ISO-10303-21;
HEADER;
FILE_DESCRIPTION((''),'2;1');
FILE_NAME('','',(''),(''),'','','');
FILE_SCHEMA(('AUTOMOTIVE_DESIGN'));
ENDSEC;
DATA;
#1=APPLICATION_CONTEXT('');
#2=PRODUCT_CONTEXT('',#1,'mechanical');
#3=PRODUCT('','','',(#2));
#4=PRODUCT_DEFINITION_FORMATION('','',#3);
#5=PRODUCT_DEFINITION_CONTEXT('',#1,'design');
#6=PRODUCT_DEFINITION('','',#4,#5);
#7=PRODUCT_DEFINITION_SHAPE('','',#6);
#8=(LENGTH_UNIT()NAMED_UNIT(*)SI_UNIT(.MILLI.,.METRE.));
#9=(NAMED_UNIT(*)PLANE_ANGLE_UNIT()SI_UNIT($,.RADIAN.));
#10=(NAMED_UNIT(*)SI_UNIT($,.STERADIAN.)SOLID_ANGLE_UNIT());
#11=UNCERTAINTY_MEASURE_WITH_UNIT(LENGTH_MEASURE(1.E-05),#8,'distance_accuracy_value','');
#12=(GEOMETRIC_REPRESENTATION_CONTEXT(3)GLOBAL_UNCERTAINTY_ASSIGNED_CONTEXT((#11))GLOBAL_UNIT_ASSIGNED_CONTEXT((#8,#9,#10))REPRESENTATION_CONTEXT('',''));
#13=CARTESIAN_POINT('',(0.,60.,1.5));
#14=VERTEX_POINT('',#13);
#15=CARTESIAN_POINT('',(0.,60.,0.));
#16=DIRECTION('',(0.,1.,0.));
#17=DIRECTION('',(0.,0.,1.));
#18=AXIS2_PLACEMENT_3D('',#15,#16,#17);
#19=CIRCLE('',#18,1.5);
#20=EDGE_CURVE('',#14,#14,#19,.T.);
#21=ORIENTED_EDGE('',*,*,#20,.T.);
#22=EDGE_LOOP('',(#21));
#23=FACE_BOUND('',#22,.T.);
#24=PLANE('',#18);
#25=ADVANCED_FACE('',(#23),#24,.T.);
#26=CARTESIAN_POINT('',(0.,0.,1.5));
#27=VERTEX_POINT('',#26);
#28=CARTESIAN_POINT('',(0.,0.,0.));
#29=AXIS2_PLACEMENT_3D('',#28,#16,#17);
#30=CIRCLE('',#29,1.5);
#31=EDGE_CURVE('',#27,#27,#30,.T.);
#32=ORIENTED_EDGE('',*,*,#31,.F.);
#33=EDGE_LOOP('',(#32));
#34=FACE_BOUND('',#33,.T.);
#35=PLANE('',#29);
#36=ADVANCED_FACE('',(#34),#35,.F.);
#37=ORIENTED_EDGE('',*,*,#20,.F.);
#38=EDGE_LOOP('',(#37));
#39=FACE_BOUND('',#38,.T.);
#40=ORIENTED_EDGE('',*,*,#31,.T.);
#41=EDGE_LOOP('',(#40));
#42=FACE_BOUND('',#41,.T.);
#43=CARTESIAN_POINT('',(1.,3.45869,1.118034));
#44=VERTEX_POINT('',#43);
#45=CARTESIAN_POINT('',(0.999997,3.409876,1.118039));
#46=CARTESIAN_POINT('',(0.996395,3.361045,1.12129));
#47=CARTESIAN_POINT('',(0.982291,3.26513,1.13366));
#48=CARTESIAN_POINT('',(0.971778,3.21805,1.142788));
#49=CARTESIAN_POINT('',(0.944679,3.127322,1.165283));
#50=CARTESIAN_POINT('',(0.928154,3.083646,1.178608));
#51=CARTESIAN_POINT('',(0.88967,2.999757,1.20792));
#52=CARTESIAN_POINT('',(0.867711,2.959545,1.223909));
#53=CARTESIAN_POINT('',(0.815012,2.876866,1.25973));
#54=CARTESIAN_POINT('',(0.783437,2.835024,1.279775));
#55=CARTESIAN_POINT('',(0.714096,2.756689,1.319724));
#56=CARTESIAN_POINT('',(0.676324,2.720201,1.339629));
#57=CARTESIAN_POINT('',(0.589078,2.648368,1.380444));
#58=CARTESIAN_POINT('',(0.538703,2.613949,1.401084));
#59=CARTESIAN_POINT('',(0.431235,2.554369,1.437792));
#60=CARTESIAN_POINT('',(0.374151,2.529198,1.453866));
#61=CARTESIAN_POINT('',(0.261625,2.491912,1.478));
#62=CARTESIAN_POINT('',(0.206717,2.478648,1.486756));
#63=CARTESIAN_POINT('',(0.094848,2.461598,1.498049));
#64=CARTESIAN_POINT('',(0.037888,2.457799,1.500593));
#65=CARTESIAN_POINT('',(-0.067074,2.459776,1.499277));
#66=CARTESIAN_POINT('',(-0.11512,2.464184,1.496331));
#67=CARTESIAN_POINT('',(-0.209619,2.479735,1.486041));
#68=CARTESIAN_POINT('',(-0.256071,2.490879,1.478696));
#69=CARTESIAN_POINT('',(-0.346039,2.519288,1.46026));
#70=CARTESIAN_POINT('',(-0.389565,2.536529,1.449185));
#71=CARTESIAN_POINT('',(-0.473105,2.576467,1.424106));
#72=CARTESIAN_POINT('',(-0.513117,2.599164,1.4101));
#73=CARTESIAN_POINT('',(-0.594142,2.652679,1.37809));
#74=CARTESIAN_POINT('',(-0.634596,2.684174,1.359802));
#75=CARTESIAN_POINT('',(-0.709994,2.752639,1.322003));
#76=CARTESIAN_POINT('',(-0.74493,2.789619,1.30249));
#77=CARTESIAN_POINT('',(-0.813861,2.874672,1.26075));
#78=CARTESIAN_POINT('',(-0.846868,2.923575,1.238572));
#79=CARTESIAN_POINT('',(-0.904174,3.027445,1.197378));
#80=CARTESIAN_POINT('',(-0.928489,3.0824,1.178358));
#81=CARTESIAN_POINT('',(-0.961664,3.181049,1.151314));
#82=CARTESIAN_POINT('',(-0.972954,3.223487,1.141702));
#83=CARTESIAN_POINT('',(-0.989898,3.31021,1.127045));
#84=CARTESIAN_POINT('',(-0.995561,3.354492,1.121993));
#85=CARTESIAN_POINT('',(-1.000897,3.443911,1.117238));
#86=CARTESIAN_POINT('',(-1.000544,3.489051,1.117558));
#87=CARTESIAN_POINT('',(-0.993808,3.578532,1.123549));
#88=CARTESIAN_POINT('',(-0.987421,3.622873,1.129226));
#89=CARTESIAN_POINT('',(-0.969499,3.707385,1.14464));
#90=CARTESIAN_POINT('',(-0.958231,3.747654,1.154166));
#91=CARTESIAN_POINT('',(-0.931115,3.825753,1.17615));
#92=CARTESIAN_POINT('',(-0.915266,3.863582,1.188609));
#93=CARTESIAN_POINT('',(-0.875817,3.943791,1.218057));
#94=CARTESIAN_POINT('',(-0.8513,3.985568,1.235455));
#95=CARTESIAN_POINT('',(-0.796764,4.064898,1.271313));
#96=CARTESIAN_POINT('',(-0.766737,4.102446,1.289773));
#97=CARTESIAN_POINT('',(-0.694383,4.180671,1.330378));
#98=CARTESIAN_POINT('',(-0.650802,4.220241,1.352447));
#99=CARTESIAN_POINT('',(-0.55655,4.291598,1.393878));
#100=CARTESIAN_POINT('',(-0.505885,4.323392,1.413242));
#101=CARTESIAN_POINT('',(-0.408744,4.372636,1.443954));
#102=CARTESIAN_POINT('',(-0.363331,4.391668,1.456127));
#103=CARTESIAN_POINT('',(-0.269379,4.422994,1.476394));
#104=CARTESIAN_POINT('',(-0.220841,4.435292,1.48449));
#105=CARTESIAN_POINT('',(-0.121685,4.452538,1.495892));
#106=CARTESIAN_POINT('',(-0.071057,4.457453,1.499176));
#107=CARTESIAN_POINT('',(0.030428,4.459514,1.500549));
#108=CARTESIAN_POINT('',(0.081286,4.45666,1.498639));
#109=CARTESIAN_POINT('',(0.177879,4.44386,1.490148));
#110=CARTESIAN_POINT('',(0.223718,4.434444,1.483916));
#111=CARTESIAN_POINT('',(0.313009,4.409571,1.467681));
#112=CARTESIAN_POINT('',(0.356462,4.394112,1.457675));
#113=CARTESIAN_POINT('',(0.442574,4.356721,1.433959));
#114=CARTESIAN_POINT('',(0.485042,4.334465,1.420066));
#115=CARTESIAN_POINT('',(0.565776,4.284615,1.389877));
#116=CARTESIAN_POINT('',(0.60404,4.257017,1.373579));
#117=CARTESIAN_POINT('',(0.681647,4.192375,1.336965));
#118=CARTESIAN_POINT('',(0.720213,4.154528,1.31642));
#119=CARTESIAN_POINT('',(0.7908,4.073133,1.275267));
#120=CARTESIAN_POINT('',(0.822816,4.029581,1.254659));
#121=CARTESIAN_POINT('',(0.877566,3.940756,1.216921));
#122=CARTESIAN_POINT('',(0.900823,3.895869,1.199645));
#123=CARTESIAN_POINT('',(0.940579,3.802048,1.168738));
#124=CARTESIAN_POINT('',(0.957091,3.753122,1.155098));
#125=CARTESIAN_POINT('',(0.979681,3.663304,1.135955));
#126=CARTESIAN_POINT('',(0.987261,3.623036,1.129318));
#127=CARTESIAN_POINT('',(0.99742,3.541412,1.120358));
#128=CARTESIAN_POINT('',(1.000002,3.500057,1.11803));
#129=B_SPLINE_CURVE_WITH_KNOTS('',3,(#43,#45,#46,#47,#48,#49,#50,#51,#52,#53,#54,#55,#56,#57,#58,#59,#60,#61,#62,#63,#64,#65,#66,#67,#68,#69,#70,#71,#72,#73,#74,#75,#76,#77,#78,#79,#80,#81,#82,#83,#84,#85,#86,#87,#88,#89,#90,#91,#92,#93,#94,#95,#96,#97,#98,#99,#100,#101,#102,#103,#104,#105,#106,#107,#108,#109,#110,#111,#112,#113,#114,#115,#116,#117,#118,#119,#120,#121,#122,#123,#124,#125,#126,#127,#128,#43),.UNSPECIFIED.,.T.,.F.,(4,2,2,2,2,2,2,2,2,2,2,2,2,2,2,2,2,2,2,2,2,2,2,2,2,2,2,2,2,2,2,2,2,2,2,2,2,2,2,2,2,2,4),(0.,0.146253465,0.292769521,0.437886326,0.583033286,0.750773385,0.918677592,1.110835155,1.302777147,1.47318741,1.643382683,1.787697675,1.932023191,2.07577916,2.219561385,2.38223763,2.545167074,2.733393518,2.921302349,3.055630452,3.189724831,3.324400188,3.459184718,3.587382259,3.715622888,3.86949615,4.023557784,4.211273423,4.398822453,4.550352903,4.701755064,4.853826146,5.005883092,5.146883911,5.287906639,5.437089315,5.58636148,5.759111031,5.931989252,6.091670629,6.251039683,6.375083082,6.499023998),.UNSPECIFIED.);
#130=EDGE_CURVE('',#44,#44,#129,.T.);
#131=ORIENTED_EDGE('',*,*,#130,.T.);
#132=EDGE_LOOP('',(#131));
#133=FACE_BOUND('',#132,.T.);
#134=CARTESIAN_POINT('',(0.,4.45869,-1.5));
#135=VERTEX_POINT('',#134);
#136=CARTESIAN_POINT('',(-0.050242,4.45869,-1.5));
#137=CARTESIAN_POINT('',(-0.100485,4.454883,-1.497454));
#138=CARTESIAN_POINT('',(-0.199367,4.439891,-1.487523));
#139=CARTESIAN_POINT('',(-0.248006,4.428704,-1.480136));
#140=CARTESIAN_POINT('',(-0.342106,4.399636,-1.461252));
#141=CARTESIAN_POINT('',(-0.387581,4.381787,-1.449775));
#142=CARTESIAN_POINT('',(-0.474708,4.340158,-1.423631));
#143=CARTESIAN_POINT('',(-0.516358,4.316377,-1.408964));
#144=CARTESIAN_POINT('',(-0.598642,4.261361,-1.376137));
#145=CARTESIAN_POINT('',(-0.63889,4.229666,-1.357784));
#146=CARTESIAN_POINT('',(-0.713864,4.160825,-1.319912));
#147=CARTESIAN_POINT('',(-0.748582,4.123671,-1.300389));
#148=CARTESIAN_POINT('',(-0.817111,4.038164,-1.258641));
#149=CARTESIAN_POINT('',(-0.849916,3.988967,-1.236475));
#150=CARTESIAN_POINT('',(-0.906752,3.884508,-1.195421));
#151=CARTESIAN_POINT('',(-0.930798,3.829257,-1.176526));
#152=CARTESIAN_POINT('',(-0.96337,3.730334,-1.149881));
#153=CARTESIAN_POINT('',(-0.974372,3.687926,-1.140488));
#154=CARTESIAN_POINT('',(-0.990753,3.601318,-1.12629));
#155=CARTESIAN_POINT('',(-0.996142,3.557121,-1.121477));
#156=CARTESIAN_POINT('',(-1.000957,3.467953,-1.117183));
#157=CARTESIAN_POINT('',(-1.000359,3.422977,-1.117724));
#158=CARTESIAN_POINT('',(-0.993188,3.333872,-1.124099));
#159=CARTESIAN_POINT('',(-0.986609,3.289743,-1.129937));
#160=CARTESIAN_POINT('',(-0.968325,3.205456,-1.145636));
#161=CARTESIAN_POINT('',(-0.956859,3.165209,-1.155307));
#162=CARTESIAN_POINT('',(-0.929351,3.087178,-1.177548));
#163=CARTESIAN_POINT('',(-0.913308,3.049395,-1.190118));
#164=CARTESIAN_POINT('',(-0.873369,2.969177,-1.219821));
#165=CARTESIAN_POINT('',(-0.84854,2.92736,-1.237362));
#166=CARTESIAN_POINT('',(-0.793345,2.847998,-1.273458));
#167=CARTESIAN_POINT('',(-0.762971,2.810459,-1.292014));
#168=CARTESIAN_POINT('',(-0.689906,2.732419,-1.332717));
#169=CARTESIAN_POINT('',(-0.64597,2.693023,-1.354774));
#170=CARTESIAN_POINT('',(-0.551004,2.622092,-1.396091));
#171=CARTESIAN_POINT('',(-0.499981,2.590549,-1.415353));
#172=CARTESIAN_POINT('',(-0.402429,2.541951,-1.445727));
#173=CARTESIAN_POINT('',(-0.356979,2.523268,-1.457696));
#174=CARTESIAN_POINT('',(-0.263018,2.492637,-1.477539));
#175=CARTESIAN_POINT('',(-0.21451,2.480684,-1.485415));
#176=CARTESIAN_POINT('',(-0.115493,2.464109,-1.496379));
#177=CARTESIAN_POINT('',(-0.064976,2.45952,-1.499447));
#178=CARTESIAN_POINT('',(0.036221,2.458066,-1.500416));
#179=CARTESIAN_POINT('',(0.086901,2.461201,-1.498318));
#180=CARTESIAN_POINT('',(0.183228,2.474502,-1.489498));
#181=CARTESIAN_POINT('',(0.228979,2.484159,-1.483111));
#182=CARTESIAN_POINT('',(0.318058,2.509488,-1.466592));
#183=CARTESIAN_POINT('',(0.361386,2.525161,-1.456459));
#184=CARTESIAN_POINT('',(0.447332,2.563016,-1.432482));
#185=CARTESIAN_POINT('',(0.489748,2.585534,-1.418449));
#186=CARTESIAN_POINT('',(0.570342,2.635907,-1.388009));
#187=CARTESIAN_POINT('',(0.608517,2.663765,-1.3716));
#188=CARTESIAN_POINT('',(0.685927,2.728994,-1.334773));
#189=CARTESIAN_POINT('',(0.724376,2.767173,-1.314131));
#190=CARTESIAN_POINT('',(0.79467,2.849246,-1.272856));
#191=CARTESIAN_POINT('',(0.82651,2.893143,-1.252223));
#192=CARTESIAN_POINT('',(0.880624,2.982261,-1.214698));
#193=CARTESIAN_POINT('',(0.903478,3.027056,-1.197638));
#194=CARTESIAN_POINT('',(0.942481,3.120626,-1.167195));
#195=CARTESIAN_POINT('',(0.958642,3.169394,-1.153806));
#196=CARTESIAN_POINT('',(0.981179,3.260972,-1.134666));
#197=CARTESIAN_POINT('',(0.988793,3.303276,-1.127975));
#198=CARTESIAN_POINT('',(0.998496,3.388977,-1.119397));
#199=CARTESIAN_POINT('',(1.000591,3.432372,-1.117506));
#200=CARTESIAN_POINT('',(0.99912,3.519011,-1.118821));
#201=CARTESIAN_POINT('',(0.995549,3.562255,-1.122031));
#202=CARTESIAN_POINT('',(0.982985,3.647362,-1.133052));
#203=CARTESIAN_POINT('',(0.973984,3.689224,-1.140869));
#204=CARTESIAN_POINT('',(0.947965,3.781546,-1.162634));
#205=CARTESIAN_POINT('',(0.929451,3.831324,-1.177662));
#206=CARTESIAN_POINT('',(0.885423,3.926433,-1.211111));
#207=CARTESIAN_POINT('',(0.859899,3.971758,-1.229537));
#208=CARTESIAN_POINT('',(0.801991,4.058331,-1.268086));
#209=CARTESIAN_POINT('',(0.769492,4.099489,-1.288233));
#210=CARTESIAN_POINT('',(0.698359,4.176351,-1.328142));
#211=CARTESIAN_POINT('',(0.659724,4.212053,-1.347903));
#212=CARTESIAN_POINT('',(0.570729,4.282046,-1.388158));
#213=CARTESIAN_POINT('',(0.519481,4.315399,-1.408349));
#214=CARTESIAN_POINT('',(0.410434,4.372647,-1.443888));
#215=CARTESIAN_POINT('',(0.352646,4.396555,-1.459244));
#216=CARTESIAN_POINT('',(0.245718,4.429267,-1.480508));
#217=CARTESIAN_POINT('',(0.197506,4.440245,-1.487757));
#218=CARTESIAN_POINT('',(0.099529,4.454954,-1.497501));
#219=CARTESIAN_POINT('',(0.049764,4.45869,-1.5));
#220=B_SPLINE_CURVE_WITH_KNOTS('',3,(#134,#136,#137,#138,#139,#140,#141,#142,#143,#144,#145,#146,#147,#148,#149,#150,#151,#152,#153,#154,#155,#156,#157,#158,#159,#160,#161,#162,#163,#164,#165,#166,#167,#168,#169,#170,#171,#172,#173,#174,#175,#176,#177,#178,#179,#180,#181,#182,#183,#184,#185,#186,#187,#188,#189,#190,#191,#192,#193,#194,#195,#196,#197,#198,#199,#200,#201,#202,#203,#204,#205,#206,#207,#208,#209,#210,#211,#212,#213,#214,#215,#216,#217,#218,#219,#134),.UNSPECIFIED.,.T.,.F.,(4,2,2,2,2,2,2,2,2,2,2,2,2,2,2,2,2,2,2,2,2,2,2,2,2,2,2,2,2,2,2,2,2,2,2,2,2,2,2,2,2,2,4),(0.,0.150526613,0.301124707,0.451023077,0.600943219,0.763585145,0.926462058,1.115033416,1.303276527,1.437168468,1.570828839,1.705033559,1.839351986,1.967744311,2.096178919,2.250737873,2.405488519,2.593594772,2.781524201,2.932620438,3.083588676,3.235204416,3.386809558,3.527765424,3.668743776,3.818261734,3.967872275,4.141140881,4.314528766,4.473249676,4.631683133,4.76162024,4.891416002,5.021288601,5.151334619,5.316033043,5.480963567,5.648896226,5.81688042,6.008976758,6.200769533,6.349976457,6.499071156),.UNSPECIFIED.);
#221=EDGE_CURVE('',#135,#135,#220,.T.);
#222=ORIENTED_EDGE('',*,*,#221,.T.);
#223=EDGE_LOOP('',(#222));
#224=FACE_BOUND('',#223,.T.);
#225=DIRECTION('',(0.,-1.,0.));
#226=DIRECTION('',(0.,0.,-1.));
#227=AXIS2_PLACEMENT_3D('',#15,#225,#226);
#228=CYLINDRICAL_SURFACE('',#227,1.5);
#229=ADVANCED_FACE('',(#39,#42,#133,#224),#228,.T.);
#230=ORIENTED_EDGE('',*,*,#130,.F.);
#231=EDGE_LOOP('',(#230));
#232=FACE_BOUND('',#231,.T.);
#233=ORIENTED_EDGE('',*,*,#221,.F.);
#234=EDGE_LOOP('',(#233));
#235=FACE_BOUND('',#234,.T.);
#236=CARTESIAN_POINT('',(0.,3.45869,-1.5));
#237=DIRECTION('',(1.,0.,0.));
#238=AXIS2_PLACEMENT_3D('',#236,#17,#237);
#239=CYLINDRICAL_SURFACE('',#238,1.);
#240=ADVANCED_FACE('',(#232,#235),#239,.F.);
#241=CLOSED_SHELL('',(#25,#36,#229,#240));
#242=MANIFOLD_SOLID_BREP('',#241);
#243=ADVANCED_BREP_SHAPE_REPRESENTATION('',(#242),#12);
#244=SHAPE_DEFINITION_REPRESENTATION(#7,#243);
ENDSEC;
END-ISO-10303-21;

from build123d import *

# Parameters (mm, degrees)
SKETCH1_R               = 1.5
BOSS_EXTRUDE1_DEPTH     = 60
SKETCH6_R               = 1
CUT_EXTRUDE3_DEPTH      = 2.5
CUT_EXTRUDE3_DEPTH_BACK = 2.5


with BuildPart() as part:
    # Sketch1 → Boss-Extrude1 (new body)
    with BuildSketch(Plane(origin=(0, 0, 0), x_dir=(1, 0, 0), z_dir=(0, 1, 0))):
        Circle(SKETCH1_R)
    extrude(amount=BOSS_EXTRUDE1_DEPTH)

    # Sketch6 → Cut-Extrude3 (cut, two sides)
    with BuildSketch(Plane.XY) as cut_extrude3_sk:
        with Locations((0, 3.458689927)):
            Circle(SKETCH6_R)
    extrude(amount=CUT_EXTRUDE3_DEPTH, mode=Mode.SUBTRACT)
    extrude(cut_extrude3_sk.sketch, amount=-CUT_EXTRUDE3_DEPTH_BACK, mode=Mode.SUBTRACT)


solid = part.part
